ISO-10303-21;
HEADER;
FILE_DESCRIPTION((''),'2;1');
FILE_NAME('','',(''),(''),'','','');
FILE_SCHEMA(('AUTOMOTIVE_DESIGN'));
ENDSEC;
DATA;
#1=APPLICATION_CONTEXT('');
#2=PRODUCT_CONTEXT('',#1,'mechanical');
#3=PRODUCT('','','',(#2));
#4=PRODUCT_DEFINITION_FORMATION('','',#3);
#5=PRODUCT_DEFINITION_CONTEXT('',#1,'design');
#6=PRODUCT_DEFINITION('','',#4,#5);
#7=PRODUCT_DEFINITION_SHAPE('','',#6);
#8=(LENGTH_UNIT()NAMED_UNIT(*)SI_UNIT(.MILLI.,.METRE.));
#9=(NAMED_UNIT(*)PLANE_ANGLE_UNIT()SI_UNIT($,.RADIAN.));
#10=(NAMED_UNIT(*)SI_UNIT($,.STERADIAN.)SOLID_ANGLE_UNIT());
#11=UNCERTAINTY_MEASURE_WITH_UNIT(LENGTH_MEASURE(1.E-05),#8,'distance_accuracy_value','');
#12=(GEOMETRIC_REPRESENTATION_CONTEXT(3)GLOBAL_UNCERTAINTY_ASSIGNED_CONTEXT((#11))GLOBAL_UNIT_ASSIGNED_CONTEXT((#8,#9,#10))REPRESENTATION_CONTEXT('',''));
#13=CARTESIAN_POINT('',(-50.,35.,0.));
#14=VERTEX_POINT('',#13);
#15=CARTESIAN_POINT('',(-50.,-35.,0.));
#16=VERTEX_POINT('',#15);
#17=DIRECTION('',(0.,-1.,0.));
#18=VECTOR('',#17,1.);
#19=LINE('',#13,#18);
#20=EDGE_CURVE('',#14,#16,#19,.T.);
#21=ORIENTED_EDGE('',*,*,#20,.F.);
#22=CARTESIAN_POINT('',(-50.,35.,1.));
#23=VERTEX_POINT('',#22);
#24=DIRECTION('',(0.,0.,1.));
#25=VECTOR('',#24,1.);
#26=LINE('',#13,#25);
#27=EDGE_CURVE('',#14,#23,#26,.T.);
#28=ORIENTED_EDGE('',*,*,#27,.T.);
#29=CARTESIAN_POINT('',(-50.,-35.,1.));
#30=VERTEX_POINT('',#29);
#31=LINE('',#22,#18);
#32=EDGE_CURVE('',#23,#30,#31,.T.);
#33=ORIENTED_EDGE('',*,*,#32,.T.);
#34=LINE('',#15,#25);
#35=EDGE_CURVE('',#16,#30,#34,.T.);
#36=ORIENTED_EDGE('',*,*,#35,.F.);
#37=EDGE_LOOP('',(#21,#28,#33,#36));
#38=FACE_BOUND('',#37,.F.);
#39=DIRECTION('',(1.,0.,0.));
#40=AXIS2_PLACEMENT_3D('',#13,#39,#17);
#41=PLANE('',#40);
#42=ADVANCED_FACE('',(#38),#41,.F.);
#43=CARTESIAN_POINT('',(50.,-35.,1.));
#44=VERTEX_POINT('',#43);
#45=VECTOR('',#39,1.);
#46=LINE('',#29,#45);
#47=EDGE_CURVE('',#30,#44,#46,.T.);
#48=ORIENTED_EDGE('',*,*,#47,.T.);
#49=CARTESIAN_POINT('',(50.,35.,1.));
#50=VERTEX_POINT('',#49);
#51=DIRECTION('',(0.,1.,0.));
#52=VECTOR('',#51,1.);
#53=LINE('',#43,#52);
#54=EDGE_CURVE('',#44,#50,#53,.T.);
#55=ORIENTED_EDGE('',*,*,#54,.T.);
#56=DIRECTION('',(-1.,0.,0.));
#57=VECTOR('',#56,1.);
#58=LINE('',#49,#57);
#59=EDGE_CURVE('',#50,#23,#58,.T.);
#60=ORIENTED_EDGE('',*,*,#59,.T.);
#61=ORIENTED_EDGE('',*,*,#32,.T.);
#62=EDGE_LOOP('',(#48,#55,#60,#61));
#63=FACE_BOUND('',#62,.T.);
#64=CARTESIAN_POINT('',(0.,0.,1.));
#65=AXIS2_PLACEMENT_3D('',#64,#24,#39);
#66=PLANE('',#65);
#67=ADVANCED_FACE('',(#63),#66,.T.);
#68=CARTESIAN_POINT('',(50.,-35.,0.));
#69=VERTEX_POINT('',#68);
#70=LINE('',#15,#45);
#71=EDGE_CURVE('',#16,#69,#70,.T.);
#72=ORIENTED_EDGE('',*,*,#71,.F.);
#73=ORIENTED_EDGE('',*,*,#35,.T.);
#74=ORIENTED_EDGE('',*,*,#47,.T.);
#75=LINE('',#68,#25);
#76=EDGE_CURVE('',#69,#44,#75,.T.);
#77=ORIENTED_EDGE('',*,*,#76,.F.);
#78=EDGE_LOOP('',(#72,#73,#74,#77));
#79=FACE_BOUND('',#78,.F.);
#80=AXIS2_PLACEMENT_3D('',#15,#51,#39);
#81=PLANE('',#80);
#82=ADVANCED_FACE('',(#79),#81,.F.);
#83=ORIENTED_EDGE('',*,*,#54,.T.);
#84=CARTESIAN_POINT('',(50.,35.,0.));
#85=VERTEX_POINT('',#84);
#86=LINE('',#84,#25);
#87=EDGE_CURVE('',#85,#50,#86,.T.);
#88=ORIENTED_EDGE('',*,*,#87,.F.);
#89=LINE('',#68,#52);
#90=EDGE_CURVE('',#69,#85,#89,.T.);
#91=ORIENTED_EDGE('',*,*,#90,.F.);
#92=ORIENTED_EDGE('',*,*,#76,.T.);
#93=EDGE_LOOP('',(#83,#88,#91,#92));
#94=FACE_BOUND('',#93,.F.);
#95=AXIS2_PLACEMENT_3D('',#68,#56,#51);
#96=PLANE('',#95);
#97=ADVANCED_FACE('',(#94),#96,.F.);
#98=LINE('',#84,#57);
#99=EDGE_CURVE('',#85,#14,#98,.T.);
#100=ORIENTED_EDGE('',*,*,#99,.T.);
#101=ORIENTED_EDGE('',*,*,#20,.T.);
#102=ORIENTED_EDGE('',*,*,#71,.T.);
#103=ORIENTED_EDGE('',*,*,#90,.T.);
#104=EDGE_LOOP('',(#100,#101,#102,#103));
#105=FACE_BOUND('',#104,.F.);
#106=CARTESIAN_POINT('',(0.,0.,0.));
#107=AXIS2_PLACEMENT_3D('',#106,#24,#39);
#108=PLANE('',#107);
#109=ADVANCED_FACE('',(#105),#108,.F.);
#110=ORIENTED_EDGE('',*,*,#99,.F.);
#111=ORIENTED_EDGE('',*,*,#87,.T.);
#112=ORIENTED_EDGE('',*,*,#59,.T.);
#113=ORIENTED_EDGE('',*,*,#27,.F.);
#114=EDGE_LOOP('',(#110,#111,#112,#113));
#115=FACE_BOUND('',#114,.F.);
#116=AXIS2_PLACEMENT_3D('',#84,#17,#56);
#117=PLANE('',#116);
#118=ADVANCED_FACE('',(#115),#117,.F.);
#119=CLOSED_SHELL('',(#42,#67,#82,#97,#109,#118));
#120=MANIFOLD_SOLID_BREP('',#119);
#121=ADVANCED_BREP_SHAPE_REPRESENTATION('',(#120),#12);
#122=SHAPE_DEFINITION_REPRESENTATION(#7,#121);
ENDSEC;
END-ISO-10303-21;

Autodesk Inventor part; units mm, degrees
ref_plane "YZ Plane" through (0, 0, 0) normal (1, 0, 0) x (0, 1, 0)
ref_plane "XZ Plane" through (0, 0, 0) normal (0, 1, 0) x (-1, 0, 0)
ref_plane "XY Plane" through (0, 0, 0) normal (0, 0, 1) x (1, 0, 0)
sketch "Sketch1" plane through (0, 0, 0) normal (0, 0, 1) x (1, 0, 0)
  line L0 (-50, -35) -> (50, -35)
  line L1 (50, -35) -> (50, 35)
  line L2 (50, 35) -> (-50, 35)
  line L3 (-50, 35) -> (-50, -35)
  line L4 (-50, -35) -> (50, 35) construction
  line L5 (50, -35) -> (-50, 35) construction
  point P0 (0, 0)
  dimension "d0" = 100
  dimension "d1" = 70
extrude "Extrusion1" add sketch "Sketch1" along normal blind 1
properties part number "polypropylene_sheet_100x70" material "Polypropylene"
